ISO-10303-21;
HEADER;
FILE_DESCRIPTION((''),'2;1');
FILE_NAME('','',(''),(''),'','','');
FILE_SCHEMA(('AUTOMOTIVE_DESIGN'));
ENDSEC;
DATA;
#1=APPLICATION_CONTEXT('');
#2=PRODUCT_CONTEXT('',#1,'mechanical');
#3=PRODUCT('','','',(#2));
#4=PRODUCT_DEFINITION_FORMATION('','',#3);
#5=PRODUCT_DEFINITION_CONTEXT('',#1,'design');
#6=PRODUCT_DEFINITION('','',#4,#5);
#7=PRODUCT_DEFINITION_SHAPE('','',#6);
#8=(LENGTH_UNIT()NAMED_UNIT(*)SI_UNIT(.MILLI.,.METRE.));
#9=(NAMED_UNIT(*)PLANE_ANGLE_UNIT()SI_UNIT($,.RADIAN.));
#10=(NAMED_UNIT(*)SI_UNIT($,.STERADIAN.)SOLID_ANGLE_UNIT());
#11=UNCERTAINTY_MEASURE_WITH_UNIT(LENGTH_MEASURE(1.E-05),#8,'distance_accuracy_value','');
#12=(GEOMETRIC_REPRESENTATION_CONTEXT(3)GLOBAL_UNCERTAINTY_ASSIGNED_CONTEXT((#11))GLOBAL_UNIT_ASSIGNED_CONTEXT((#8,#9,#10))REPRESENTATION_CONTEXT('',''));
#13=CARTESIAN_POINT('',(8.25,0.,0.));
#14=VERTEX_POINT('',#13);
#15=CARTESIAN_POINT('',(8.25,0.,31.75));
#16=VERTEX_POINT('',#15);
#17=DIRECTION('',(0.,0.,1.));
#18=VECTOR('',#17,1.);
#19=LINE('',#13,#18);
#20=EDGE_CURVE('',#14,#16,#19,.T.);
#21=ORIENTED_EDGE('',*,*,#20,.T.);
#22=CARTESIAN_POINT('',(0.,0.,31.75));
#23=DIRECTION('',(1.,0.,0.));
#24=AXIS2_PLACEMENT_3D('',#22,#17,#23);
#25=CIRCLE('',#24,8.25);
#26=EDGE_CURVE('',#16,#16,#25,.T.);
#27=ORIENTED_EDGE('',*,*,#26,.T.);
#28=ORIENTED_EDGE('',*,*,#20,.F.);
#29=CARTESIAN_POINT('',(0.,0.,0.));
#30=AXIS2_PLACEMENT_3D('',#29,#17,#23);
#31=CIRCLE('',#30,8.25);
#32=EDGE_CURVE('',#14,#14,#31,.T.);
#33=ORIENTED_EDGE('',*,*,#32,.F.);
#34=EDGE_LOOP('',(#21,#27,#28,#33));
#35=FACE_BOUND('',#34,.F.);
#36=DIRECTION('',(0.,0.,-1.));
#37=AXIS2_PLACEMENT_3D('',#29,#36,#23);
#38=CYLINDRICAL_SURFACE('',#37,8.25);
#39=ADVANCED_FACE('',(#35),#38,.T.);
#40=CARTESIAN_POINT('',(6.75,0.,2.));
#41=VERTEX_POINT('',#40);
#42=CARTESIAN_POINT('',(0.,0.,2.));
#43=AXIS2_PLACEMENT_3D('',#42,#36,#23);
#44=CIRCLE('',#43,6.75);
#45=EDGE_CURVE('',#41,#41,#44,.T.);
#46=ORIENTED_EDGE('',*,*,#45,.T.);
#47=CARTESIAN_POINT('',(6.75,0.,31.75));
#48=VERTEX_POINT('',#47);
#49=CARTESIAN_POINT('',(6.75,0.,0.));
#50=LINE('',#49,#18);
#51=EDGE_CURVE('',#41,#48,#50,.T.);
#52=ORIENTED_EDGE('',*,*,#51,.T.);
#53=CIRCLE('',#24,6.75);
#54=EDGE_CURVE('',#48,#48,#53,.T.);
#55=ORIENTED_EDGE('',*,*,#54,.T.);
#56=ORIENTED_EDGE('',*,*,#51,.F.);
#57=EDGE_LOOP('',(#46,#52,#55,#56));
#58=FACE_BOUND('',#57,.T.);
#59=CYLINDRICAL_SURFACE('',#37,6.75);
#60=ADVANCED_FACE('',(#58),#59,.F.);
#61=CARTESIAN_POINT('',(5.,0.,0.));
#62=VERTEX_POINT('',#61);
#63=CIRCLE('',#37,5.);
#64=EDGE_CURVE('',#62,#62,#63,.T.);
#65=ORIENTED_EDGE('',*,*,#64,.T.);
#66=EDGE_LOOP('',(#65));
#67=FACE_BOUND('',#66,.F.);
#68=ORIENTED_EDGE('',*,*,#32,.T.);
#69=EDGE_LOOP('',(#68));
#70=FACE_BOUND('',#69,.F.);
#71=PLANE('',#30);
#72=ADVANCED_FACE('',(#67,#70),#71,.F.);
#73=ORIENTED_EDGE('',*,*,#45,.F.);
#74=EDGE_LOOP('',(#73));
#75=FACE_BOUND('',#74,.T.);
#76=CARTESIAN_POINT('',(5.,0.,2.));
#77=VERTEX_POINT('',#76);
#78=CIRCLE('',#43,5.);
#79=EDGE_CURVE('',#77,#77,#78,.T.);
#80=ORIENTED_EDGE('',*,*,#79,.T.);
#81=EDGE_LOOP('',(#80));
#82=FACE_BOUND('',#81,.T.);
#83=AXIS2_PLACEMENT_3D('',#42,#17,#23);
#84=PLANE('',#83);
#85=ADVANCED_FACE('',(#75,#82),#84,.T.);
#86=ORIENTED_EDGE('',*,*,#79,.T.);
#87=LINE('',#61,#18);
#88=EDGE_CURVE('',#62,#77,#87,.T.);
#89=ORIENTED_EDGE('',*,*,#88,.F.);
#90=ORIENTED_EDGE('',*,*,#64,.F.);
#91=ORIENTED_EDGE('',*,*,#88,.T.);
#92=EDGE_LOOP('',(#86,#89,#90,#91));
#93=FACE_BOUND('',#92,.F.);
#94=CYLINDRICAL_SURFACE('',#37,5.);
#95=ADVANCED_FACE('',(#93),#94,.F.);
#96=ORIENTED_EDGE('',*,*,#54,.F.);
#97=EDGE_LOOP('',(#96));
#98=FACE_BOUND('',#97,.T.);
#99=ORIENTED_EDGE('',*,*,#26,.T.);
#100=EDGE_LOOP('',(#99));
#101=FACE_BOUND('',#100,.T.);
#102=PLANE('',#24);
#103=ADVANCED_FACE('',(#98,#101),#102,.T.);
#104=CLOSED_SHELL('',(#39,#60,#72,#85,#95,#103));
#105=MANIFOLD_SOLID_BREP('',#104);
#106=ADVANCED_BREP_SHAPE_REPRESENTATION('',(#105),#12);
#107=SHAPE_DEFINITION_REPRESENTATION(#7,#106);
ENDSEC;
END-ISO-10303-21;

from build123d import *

# Parameters (mm, degrees)
F0_R     = 8.25
F0_R_2   = 6.75
F1_DEPTH = 31.75
F2_R     = 8.076927
F3_DEPTH = 2
F4_R     = 5
F5_DEPTH = 25


with BuildPart() as f1:
    # F0 (on Top) → F1 (new body)
    with BuildSketch(Plane.XY):
        Circle(F0_R)
        Circle(F0_R_2, mode=Mode.SUBTRACT)
    extrude(amount=F1_DEPTH)

    # F2 (on Top) → F3 (join)
    with BuildSketch(Plane.XY):
        Circle(F2_R)
    extrude(amount=F3_DEPTH)

    # F4 (on face) → F5 (cut)
    with BuildSketch(Plane(origin=(0, 0, 0), x_dir=(1, 0, 0), z_dir=(0, 0, -1))):
        Circle(F4_R)
    extrude(amount=-F5_DEPTH, mode=Mode.SUBTRACT)


solid = f1.part
